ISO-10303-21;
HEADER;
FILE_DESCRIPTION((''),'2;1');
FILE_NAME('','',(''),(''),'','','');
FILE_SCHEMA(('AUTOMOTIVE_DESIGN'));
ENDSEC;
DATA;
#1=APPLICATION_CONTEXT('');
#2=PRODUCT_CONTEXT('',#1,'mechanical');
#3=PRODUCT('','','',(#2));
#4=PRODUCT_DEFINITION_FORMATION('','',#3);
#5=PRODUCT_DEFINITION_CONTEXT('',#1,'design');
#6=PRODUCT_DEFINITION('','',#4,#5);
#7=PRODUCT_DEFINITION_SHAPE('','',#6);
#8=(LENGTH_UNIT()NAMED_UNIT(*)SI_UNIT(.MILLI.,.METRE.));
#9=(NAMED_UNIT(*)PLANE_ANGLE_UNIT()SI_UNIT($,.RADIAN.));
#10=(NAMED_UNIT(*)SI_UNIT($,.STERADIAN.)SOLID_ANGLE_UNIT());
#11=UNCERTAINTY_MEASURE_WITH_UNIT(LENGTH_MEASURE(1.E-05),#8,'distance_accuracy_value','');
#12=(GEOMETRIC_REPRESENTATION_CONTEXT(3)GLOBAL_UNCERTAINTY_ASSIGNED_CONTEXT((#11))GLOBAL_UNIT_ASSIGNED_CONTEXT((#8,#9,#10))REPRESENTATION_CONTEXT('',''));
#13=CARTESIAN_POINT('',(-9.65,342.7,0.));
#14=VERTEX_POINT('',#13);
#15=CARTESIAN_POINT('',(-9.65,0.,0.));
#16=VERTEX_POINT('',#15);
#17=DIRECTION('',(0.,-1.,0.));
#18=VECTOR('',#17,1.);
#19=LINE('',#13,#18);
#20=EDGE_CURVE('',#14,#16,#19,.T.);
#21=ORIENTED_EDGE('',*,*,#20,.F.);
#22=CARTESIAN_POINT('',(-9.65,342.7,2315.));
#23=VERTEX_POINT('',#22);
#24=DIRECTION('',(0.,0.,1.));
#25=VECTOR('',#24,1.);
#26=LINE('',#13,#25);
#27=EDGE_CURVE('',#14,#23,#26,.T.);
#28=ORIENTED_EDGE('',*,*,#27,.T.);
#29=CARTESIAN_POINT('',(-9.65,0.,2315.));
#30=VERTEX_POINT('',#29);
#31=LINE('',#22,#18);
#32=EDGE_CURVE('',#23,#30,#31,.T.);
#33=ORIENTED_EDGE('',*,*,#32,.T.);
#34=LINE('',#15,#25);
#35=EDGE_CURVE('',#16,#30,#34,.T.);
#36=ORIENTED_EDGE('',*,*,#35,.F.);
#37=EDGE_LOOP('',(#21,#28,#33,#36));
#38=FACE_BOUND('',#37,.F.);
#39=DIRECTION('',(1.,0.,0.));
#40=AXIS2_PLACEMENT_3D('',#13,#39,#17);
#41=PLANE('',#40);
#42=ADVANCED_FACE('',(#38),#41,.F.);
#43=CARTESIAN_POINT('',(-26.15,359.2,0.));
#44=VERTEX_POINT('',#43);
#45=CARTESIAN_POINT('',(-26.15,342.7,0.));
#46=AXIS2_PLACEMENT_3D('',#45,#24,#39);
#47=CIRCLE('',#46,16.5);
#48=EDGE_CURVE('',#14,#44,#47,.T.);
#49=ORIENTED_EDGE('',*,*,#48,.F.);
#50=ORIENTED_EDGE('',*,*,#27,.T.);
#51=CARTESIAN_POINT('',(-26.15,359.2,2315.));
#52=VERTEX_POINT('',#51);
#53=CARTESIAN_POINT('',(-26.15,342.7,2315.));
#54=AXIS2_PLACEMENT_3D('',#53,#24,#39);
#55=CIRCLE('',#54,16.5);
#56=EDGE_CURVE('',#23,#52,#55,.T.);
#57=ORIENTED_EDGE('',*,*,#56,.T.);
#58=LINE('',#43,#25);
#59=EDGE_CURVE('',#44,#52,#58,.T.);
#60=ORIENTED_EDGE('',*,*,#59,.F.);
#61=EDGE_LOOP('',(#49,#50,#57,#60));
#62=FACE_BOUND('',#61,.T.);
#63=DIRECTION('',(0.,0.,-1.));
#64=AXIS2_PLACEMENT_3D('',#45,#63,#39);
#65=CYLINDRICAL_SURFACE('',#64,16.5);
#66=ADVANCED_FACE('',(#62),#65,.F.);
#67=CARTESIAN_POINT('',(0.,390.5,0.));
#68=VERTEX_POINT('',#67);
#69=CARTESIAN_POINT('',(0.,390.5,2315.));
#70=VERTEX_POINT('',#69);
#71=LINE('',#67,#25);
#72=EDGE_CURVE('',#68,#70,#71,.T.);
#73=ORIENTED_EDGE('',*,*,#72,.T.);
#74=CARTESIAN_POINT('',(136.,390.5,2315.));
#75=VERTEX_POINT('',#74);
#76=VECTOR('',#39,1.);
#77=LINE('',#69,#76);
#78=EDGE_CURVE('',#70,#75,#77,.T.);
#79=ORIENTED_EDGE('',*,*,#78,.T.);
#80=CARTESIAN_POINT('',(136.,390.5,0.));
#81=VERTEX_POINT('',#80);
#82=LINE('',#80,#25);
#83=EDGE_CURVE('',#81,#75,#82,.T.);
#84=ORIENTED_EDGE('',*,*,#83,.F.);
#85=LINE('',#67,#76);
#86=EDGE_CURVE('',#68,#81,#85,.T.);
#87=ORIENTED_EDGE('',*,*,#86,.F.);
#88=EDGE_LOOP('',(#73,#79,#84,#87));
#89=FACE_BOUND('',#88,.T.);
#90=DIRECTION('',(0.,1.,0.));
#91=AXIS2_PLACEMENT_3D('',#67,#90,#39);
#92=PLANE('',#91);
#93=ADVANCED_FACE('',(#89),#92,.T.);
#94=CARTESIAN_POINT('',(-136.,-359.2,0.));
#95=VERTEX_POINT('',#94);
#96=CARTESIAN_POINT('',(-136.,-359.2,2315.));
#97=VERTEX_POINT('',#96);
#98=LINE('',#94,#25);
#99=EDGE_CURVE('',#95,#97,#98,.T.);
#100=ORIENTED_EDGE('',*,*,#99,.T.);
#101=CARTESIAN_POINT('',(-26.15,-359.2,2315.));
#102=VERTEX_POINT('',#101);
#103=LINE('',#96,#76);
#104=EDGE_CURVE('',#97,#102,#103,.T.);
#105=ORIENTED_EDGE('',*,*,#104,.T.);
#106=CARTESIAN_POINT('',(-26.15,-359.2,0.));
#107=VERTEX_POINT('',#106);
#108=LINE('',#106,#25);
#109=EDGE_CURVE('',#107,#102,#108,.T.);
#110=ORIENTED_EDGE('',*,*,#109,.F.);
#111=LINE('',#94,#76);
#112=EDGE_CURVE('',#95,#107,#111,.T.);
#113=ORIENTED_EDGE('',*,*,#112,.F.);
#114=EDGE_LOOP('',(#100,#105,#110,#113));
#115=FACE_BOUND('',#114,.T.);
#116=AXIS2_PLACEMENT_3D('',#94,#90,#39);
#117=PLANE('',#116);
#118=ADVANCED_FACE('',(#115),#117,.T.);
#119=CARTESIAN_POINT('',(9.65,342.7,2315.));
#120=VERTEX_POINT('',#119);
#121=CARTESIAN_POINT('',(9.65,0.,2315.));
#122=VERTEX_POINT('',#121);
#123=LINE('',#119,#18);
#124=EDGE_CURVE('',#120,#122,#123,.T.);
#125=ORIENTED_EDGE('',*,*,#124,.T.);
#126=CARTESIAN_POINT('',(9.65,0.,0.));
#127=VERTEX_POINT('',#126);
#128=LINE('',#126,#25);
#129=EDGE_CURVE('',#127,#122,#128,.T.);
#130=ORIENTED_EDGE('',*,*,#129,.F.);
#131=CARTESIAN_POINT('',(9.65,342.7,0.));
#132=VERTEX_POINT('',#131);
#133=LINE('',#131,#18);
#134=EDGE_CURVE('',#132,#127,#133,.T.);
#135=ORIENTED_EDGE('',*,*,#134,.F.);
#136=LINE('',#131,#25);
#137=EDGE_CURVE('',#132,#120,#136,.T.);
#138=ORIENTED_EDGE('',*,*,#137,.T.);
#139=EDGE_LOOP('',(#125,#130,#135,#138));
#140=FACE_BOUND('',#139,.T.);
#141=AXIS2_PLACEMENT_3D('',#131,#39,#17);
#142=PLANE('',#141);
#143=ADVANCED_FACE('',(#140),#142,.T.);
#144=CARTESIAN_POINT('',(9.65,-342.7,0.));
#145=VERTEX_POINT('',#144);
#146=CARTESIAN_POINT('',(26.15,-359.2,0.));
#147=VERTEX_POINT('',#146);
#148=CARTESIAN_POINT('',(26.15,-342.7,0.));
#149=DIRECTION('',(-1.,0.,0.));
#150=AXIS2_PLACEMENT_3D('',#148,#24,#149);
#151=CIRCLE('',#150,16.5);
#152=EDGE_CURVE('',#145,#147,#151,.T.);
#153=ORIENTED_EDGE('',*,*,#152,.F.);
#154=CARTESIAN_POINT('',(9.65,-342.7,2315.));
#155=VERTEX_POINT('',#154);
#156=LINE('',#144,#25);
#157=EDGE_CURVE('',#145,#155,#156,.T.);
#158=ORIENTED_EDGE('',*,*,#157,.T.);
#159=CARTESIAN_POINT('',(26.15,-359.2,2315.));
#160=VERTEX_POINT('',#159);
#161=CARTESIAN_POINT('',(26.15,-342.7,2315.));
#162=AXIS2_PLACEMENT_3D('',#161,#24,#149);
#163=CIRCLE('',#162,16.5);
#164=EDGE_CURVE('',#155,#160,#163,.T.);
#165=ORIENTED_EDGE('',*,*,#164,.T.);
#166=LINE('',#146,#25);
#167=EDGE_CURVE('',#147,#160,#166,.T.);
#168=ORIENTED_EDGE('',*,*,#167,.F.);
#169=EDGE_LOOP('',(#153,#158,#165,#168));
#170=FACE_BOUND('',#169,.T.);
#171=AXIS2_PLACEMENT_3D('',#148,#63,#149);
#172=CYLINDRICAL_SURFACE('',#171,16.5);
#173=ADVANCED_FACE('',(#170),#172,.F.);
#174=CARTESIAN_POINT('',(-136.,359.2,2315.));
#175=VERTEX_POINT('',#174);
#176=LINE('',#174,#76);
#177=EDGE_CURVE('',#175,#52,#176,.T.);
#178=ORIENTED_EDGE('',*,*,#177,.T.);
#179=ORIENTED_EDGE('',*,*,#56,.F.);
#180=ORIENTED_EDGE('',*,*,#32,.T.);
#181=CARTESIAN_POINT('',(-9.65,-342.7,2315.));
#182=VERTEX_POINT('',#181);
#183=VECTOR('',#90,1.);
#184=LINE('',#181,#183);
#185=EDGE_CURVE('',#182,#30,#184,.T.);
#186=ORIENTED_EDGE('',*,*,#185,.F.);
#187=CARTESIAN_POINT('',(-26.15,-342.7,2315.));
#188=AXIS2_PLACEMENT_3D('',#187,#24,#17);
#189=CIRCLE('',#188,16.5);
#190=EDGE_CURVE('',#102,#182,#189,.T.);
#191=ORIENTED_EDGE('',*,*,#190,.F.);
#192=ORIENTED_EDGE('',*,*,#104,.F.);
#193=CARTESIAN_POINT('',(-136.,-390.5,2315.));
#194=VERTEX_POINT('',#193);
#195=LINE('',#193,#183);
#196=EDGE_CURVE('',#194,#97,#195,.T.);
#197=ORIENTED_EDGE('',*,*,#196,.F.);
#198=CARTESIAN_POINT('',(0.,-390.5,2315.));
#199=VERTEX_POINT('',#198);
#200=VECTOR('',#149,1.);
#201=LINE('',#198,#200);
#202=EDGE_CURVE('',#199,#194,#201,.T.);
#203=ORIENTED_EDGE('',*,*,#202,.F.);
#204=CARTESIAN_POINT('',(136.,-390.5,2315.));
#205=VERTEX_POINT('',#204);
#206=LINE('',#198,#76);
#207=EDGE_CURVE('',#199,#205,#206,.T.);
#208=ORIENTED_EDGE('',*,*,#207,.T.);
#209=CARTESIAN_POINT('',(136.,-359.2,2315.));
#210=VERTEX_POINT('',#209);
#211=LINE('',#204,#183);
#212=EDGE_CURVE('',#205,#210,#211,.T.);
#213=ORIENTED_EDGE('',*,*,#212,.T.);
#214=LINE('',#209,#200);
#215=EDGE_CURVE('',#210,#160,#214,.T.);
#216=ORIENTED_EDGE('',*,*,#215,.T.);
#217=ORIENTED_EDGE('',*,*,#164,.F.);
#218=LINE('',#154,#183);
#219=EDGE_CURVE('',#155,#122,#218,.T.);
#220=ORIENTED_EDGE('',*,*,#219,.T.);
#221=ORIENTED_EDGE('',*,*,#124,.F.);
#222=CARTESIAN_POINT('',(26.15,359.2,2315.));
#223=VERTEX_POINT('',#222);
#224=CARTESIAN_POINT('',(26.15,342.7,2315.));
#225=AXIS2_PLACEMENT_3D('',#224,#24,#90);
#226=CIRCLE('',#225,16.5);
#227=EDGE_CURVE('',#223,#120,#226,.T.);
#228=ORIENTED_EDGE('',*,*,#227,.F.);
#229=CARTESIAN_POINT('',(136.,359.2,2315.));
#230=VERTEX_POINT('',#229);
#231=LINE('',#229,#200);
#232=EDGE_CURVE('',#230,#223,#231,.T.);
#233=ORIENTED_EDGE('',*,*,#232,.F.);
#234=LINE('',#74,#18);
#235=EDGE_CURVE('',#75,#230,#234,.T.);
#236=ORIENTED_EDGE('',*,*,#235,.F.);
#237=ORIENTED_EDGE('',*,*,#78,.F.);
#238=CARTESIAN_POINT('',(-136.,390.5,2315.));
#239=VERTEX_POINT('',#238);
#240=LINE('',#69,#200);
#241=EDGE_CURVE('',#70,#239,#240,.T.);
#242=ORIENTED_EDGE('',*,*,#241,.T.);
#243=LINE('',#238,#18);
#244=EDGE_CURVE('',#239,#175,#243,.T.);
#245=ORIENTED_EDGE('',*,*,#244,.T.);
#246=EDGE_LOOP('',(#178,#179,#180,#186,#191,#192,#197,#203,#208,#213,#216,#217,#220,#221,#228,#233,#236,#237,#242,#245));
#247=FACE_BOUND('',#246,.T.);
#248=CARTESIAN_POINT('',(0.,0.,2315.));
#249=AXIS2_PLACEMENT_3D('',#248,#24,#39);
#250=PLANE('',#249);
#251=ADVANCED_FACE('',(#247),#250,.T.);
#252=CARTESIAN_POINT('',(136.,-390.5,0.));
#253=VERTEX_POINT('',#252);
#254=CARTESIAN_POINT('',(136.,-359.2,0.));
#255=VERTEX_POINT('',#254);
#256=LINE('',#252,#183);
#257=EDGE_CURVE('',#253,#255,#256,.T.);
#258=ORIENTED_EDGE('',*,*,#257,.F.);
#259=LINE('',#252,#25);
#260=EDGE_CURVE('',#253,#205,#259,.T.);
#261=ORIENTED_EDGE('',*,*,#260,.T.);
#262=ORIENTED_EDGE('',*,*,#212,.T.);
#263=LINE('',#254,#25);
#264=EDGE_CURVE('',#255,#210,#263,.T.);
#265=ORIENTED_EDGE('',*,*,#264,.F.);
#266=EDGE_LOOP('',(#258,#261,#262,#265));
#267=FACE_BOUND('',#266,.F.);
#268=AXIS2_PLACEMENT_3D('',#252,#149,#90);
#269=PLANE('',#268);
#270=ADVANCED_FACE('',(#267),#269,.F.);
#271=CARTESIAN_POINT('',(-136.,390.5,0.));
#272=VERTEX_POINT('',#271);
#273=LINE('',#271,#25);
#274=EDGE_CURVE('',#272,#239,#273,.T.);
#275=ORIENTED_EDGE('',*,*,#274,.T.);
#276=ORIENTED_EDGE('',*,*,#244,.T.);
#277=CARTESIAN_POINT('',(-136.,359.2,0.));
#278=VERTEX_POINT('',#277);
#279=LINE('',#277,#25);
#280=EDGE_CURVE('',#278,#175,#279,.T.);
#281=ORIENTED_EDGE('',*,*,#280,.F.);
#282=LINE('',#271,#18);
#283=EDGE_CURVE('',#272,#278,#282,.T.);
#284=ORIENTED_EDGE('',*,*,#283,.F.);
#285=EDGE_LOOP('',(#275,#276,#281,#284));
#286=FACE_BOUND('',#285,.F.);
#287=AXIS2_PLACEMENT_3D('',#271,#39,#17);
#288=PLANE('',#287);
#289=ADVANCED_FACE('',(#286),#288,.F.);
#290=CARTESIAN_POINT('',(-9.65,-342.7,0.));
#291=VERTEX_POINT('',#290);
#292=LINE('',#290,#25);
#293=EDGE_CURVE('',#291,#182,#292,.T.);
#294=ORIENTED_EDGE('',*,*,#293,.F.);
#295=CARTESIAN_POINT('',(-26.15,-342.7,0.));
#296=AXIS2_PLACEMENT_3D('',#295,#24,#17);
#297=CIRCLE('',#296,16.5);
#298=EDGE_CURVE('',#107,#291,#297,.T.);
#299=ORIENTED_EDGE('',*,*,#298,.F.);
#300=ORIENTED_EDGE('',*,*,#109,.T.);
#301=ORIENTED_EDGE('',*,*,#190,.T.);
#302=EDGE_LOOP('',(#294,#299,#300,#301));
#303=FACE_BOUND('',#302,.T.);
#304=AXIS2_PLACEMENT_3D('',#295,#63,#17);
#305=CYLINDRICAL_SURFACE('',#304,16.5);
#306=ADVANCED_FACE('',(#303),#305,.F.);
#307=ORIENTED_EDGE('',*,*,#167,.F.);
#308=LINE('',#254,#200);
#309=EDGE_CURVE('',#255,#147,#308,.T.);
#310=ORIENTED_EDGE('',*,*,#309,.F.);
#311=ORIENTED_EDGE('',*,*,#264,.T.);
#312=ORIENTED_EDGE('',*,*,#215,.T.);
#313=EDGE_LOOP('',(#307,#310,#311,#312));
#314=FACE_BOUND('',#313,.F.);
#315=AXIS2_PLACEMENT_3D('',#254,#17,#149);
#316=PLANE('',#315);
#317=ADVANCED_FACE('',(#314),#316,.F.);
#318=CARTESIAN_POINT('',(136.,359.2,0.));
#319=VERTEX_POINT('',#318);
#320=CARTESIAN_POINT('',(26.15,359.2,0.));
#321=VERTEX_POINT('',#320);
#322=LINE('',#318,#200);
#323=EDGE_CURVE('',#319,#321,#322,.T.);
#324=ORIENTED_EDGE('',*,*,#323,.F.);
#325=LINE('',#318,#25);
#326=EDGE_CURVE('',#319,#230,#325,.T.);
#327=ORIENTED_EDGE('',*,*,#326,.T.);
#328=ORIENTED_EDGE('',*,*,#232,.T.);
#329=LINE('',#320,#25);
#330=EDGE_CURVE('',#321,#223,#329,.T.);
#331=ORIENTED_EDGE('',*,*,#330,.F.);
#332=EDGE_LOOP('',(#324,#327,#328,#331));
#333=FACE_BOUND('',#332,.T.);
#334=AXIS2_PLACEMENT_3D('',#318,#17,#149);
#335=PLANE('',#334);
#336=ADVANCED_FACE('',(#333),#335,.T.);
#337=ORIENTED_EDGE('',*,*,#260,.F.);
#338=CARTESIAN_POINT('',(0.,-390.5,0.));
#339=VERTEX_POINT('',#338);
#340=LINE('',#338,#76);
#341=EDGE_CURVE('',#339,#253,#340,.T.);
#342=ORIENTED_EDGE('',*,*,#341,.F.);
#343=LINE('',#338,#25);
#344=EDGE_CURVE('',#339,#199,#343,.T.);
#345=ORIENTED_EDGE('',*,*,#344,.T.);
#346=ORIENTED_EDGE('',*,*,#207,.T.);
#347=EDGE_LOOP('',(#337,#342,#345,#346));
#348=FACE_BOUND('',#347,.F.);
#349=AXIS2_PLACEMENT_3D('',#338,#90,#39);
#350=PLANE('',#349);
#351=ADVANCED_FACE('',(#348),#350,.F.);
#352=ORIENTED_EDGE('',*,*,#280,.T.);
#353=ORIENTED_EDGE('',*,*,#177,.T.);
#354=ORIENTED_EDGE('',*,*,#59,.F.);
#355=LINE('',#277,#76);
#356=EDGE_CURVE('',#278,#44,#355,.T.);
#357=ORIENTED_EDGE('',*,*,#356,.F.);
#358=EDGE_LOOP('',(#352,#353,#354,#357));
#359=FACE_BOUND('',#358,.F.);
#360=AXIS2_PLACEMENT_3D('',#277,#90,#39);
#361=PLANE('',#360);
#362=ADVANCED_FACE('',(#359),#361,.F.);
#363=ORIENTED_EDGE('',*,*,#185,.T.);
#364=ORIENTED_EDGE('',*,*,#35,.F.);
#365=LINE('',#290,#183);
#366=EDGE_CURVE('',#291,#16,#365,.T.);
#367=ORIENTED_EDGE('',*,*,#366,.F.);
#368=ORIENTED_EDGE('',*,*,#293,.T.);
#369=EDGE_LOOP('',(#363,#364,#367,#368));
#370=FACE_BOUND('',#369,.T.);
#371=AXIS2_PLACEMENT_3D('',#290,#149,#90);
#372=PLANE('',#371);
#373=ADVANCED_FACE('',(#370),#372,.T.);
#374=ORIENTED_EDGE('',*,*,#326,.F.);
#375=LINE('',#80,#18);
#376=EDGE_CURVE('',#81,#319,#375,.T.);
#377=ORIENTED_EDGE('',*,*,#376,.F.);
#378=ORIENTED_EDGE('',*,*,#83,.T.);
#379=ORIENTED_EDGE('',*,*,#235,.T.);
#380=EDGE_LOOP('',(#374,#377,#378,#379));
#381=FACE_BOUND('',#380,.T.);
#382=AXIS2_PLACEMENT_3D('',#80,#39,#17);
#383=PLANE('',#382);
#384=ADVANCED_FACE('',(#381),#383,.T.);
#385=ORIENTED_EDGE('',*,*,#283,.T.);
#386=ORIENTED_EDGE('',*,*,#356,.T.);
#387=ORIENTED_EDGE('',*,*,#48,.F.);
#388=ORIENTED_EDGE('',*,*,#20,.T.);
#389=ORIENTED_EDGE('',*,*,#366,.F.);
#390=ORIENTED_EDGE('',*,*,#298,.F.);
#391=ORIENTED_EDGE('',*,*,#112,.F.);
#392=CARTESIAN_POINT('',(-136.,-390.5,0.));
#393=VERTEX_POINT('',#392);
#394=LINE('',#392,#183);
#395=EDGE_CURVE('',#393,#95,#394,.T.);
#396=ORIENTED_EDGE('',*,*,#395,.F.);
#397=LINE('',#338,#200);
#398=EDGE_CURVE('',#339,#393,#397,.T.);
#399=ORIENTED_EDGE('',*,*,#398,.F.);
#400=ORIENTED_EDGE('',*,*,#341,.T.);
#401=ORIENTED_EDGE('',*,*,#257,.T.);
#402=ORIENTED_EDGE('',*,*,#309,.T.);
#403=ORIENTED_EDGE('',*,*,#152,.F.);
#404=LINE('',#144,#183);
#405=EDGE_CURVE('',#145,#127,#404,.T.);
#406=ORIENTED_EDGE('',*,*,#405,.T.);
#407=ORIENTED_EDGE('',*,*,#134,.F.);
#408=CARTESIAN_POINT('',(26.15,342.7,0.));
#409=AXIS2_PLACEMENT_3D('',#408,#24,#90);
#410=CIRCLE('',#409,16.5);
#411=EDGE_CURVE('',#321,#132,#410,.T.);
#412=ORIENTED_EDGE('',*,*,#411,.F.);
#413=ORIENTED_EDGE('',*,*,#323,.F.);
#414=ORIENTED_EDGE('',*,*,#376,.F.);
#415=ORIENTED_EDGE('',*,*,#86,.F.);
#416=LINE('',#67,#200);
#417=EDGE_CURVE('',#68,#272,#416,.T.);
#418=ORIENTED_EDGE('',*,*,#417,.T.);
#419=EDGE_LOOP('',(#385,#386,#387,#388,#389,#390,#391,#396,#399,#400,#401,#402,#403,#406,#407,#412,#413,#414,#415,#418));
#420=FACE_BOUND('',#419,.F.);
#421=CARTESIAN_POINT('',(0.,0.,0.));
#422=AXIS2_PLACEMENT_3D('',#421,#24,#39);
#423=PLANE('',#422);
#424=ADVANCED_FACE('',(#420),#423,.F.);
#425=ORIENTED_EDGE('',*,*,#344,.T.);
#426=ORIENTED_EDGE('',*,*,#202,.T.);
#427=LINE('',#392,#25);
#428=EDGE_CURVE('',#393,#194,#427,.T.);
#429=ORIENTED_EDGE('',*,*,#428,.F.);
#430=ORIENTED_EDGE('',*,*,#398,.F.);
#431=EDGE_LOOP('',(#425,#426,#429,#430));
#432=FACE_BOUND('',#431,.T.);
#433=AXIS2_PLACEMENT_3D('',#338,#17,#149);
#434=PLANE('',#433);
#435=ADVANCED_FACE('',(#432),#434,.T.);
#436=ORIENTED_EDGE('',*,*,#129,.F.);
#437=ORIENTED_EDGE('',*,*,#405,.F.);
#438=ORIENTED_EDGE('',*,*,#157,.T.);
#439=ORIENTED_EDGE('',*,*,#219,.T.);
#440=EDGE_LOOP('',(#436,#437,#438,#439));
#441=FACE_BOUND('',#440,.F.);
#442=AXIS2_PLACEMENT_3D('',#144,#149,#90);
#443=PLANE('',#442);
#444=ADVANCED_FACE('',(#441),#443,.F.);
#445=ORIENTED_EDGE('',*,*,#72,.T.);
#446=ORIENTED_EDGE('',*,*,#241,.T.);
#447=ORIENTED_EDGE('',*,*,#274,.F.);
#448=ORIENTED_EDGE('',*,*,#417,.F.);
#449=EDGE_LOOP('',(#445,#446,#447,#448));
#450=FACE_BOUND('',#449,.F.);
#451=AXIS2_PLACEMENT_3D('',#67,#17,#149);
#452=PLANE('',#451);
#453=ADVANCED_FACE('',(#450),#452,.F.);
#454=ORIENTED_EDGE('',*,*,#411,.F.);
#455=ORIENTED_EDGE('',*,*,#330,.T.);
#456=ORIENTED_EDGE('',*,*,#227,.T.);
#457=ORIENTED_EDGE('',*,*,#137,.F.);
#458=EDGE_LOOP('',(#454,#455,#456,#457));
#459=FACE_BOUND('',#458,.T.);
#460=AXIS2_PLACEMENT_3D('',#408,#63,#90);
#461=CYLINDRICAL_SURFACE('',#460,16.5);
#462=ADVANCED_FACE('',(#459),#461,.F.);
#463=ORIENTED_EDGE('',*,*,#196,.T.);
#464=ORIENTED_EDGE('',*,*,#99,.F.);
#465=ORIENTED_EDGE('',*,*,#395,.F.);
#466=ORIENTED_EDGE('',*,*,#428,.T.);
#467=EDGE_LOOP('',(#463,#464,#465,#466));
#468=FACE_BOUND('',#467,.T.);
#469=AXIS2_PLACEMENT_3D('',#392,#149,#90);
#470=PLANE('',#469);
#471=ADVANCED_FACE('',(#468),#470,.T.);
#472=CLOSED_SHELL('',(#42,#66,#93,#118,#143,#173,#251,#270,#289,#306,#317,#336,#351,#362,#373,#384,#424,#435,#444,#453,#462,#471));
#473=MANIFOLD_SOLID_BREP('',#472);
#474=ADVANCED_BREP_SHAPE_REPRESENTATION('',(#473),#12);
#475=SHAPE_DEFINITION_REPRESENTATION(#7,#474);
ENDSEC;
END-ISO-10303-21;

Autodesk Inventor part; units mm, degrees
ref_plane "YZ Plane" through (0, 0, 0) normal (1, 0, 0) x (0, 1, 0)
ref_plane "Start plane" through (0, 0, 0) normal (0, 0, 1) x (1, 0, 0)
ref_plane "End plane" through (0, 0, 2315) normal (0, 0, 1) x (1, 0, 0)
sketch "Sketch" plane through (0, 0, 0) normal (0, 0, 1) x (1, 0, 0)
  line L0 (-136, -390.5) -> (-136, -359.2)
  line L1 (-136, -359.2) -> (-26.15, -359.2)
  line L2 (-9.65, -342.7) -> (-9.65, 0)
  line L3 (-9.65, 0) -> (0, 0) construction
  line L4 (0, 0) -> (0, -390.5) construction
  line L5 (0, -390.5) -> (-136, -390.5)
  line L6 (-60, 0) -> (80, 0) construction
  line L7 (0, -60) -> (0, 80) construction
  line L8 (136, -390.5) -> (136, -359.2)
  line L9 (136, -359.2) -> (26.15, -359.2)
  line L10 (9.65, -342.7) -> (9.65, 0)
  line L11 (9.65, 0) -> (0, 0) construction
  line L12 (0, -390.5) -> (136, -390.5)
  line L13 (-136, 390.5) -> (-136, 359.2)
  line L14 (-136, 359.2) -> (-26.15, 359.2)
  line L15 (-9.65, 342.7) -> (-9.65, 0)
  line L16 (0, 390.5) -> (-136, 390.5)
  line L17 (136, 390.5) -> (136, 359.2)
  line L18 (136, 359.2) -> (26.15, 359.2)
  line L19 (0, 390.5) -> (136, 390.5)
  line L20 (9.65, 342.7) -> (9.65, 0)
  arc A0 (-9.65, 342.7) -> (-26.15, 359.2) centre (-26.15, 342.7) ccw
  arc A1 (26.15, 359.2) -> (9.65, 342.7) centre (26.15, 342.7) ccw
  arc A2 (9.65, -342.7) -> (26.15, -359.2) centre (26.15, -342.7) ccw
  arc A3 (-26.15, -359.2) -> (-9.65, -342.7) centre (-26.15, -342.7) ccw
  line L21 (0, 108) -> (0, -88) construction
  line L22 (-88, 0) -> (108, 0) construction
  point P0 (-9.65, -359.2)
  point P1 (9.65, -359.2)
  point P2 (-9.65, 359.2)
  point P3 (9.65, 359.2)
  dimension "d1" = 390.5
  dimension "d2" = 31.3
  dimension "d3" = 136
  dimension "d4" = 9.65
  dimension "d10" = 16.5
extrude "Body" add sketch "Sketch" along normal up to surface (2315 mm away) from surface at 0
sketch "Sketch4" plane through (0, 0, 0) normal (0, 0, 1) x (1, 0, 0)
  line L0 (0, 0) -> (10, 0)
ref_plane "Work Plane3" through (0, 0, 0) normal (0, -1, 0) x (1, 0, 0)
sketch "Sketch5" plane through (0, 0, 0) normal (0, -1, 0) x (1, 0, 0)
  line L0 (-2, 0) -> (12, 0) projected
  line L1 (-2, 2315) -> (12, 2315) projected
  dimension "d14" = 2315
equation "\"d1\" = 0.5 * G_H"
equation "\"d2\" = G_T1"
equation "\"d3\" = 0.5 * G_W"
equation "\"d4\" = 0.5 * G_T"
equation "\"d10\" = G_IR"
equation "\"d5\" = G_L"
equation "\"G_W\" = 272"
equation "\"G_H\" = 781"
equation "\"G_T\" = 19.3"
equation "\"G_T1\" = 31.3"
equation "\"G_IR\" = 16.5"
equation "\"G_L\" = d14"
equation "\"G_OFFSET_START\" = 0"
equation "\"G_OFFSET_END\" = 0"
equation "\"d12\" = G_OFFSET_END + B_L"
equation "\"B_L\" = 2315"
properties part number "AS 3679-1990 - 760 UB - 244 - 2315" material "Steel, Mild"
